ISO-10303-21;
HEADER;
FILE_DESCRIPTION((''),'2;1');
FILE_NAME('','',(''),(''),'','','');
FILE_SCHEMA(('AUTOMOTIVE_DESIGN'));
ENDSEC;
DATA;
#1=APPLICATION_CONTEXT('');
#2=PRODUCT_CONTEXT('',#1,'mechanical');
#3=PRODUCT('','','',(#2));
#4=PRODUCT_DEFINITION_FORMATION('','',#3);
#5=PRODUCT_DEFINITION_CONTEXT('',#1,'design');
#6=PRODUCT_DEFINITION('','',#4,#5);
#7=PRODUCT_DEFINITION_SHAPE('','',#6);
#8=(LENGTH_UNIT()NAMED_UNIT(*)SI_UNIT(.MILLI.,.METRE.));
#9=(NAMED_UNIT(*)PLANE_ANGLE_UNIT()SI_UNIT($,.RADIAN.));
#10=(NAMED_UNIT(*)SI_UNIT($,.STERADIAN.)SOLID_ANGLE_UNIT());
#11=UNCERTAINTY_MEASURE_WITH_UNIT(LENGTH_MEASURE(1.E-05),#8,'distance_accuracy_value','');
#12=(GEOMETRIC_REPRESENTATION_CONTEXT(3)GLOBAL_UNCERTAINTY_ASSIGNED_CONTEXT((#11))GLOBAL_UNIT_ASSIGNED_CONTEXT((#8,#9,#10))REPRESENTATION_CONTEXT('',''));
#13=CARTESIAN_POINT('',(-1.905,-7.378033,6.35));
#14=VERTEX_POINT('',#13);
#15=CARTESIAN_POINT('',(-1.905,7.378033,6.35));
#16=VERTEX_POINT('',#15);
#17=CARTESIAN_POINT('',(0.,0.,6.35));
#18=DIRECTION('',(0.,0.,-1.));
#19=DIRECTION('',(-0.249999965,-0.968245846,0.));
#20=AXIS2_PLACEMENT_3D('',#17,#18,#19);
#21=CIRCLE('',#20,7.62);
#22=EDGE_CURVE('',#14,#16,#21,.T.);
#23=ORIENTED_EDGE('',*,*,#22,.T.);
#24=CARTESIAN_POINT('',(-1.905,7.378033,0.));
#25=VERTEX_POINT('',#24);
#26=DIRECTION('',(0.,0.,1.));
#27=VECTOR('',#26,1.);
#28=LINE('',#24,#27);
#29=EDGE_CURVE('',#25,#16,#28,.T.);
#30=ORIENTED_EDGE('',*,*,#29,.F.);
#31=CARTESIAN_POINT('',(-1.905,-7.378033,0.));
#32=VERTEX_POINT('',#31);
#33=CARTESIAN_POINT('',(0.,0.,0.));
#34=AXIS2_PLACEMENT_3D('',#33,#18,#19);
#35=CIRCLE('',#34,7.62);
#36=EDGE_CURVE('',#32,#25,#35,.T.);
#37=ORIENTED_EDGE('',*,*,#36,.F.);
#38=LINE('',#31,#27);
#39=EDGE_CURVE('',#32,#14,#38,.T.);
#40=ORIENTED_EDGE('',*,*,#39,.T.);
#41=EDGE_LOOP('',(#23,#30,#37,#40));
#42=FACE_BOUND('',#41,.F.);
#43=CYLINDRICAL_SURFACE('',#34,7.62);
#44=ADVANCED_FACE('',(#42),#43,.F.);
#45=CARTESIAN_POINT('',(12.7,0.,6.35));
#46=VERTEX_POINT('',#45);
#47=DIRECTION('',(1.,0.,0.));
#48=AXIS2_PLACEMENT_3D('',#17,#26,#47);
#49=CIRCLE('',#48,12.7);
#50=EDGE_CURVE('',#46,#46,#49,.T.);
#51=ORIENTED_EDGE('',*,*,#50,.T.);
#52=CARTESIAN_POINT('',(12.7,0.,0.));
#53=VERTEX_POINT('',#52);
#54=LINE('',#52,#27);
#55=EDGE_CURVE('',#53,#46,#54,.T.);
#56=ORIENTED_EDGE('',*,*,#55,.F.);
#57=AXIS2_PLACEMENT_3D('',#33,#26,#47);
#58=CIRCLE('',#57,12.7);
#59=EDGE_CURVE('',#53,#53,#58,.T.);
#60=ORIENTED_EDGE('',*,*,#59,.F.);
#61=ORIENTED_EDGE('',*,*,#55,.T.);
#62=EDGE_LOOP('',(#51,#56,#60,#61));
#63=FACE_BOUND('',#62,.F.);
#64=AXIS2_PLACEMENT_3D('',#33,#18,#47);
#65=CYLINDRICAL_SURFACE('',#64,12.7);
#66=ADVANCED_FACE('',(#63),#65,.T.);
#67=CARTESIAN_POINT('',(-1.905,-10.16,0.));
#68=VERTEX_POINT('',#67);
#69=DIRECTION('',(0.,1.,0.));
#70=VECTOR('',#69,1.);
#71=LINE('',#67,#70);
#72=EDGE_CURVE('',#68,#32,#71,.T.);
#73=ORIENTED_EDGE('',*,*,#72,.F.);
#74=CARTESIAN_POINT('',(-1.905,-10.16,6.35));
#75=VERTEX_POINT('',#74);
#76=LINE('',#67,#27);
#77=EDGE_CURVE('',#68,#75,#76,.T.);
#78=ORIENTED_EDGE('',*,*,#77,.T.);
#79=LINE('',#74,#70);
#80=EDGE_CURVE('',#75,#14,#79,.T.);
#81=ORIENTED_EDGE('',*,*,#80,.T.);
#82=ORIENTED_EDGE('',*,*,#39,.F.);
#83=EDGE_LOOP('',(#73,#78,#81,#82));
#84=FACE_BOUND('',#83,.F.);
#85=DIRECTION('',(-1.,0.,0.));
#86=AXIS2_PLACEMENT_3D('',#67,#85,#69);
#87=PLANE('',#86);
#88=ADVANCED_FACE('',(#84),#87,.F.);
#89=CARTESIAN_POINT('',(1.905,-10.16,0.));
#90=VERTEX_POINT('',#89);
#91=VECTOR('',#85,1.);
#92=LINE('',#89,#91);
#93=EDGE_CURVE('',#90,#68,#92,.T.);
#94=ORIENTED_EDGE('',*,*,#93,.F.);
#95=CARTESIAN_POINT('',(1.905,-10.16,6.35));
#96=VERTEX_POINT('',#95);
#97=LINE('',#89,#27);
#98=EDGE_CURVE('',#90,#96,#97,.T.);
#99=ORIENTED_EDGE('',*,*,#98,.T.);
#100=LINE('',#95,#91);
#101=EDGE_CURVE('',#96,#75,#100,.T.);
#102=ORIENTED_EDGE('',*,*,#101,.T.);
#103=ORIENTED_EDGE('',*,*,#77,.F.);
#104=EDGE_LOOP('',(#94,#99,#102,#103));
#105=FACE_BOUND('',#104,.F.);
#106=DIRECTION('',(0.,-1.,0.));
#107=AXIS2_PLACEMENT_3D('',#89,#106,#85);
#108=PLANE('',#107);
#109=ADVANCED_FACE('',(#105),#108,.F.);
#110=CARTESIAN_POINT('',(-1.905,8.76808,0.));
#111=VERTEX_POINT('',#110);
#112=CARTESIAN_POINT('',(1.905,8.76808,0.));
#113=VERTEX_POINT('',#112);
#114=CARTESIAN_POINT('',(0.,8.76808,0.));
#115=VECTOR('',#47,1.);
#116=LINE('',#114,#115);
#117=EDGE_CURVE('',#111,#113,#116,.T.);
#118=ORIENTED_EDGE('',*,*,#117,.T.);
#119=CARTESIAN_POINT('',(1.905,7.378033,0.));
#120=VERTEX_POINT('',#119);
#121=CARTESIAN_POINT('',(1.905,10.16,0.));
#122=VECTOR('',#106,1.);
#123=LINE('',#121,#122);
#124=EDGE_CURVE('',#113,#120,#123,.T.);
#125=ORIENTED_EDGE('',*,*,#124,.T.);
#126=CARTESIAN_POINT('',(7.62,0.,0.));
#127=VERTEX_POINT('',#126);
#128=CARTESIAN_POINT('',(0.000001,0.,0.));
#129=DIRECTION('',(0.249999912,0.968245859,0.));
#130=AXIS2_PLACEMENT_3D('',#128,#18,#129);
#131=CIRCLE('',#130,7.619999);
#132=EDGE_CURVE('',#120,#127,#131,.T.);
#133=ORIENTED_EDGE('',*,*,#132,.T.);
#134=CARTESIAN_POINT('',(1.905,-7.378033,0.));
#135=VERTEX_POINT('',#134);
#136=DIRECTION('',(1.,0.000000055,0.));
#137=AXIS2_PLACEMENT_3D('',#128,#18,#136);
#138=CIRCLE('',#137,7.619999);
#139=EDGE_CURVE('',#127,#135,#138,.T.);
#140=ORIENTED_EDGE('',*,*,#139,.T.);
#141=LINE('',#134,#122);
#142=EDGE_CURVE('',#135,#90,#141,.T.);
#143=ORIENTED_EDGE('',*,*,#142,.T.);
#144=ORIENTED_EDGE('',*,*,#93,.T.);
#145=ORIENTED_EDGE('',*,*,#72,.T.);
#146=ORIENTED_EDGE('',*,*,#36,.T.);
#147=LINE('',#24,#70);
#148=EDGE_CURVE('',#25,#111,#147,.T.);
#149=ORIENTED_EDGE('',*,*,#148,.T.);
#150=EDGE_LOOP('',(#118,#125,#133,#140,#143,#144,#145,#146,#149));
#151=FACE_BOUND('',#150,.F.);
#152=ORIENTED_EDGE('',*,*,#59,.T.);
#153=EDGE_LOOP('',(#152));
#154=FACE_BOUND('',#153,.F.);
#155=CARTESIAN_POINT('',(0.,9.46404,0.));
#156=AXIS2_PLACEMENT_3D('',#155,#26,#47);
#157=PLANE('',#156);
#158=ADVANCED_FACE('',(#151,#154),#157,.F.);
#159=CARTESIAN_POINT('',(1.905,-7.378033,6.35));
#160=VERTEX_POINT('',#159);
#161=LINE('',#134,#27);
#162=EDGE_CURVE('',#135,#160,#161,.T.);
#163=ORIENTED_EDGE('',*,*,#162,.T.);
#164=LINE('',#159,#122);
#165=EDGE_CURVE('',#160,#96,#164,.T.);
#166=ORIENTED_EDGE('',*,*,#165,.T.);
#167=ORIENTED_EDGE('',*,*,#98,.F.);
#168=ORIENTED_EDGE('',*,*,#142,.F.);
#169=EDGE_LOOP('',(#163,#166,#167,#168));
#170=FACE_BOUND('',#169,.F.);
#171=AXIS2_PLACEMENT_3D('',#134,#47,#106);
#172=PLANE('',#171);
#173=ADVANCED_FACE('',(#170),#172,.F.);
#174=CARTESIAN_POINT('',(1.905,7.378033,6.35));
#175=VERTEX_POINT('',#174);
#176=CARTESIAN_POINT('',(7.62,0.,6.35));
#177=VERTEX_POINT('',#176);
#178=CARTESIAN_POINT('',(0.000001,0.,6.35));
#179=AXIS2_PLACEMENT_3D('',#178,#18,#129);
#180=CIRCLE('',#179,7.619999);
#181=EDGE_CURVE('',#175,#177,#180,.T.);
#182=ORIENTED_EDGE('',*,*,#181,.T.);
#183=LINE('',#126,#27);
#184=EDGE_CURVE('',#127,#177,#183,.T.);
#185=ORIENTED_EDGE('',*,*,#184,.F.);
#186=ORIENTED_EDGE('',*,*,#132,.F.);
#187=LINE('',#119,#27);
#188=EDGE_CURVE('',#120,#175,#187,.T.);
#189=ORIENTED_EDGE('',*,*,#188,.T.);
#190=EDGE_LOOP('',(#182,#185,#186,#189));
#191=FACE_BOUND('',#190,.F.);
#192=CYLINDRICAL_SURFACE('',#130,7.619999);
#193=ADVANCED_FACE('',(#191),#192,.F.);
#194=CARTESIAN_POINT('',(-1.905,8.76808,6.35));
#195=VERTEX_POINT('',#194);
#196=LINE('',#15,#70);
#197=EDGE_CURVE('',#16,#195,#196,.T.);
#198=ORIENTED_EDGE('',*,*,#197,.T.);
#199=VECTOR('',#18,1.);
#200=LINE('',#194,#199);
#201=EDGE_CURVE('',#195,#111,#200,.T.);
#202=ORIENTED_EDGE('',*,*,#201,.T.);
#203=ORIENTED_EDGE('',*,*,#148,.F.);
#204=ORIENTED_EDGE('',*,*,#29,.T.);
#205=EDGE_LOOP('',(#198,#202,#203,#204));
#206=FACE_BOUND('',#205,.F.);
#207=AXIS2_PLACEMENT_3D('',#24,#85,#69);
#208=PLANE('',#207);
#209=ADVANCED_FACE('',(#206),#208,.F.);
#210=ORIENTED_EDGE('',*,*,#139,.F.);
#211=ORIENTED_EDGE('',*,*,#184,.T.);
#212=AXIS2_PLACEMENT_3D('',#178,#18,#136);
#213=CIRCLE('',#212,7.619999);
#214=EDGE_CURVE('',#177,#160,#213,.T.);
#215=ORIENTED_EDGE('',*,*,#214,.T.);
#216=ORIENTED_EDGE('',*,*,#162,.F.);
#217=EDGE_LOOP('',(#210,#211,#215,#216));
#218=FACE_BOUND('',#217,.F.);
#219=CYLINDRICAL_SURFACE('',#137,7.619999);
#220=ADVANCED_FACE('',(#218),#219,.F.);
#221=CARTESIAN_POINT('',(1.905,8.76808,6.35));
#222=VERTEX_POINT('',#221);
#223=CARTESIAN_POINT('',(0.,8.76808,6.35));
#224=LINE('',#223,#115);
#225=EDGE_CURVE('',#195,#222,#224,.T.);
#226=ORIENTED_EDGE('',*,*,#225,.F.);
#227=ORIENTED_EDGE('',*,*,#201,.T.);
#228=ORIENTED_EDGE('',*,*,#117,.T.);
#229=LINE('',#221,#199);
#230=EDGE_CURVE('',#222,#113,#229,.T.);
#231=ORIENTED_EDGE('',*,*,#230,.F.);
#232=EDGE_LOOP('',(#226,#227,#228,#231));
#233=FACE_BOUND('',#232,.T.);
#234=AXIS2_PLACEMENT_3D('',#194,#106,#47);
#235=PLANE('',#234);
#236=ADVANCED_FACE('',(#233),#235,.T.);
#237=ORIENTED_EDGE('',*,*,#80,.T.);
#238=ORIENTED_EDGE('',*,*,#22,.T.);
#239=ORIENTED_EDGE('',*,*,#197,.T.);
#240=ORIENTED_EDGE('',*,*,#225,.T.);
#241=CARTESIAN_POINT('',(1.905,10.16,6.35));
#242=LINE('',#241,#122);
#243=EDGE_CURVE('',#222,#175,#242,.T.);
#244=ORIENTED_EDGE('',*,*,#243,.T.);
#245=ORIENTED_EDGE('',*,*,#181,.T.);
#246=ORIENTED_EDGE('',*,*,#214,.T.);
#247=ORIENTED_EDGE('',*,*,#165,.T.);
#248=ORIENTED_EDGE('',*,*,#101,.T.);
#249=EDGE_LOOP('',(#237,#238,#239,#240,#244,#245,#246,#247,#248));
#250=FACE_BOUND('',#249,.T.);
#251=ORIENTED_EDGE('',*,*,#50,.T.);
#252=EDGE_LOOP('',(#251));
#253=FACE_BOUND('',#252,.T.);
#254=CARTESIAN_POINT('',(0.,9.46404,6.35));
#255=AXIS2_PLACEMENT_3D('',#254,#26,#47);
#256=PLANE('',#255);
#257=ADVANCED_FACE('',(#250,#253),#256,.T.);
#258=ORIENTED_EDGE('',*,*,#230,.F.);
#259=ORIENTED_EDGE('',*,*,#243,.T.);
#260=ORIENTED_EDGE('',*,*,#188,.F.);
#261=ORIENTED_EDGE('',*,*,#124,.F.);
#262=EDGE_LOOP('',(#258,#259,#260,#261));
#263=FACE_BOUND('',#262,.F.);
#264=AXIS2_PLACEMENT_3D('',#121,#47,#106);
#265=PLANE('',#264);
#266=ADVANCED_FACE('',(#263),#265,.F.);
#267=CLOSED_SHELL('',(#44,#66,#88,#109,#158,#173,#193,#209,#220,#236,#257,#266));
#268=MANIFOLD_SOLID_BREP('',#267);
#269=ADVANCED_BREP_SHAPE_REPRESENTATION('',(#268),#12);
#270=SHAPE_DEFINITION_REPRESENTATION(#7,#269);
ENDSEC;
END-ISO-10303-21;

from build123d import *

# Parameters (mm, degrees)
F0_R     = 12.7
F1_DEPTH = 6.35
F2_W     = 3.81
F2_H     = 1.39192
F3_DEPTH = 6.35


with BuildPart() as f1:
    # F0 (on Top) → F1 (new body)
    with BuildSketch(Plane.XY):
        Circle(F0_R)
        with BuildLine():
            ThreePointArc((1.905, 7.378033), (6.024139, 4.666278), (7.62, 0))
            ThreePointArc((7.62, 0), (6.024139, -4.666278), (1.905, -7.378033))
            Line((1.905, -7.378033), (1.905, -10.16))
            Line((1.905, -10.16), (-1.905, -10.16))
            Line((-1.905, -10.16), (-1.905, -7.378033))
            ThreePointArc((-1.905, -7.378033), (-7.62, 0), (-1.905, 7.378033))
            Line((-1.905, 7.378033), (-1.905, 10.16))
            Line((-1.905, 10.16), (1.905, 10.16))
            Line((1.905, 10.16), (1.905, 7.378033))
        make_face(mode=Mode.SUBTRACT)
    extrude(amount=F1_DEPTH)

    # F2 (on face) → F3 (join)
    with BuildSketch(Plane.XY.offset(6.35)):
        with Locations((0, 9.46404)):
            Rectangle(F2_W, F2_H)
    extrude(amount=-F3_DEPTH)


solid = f1.part
